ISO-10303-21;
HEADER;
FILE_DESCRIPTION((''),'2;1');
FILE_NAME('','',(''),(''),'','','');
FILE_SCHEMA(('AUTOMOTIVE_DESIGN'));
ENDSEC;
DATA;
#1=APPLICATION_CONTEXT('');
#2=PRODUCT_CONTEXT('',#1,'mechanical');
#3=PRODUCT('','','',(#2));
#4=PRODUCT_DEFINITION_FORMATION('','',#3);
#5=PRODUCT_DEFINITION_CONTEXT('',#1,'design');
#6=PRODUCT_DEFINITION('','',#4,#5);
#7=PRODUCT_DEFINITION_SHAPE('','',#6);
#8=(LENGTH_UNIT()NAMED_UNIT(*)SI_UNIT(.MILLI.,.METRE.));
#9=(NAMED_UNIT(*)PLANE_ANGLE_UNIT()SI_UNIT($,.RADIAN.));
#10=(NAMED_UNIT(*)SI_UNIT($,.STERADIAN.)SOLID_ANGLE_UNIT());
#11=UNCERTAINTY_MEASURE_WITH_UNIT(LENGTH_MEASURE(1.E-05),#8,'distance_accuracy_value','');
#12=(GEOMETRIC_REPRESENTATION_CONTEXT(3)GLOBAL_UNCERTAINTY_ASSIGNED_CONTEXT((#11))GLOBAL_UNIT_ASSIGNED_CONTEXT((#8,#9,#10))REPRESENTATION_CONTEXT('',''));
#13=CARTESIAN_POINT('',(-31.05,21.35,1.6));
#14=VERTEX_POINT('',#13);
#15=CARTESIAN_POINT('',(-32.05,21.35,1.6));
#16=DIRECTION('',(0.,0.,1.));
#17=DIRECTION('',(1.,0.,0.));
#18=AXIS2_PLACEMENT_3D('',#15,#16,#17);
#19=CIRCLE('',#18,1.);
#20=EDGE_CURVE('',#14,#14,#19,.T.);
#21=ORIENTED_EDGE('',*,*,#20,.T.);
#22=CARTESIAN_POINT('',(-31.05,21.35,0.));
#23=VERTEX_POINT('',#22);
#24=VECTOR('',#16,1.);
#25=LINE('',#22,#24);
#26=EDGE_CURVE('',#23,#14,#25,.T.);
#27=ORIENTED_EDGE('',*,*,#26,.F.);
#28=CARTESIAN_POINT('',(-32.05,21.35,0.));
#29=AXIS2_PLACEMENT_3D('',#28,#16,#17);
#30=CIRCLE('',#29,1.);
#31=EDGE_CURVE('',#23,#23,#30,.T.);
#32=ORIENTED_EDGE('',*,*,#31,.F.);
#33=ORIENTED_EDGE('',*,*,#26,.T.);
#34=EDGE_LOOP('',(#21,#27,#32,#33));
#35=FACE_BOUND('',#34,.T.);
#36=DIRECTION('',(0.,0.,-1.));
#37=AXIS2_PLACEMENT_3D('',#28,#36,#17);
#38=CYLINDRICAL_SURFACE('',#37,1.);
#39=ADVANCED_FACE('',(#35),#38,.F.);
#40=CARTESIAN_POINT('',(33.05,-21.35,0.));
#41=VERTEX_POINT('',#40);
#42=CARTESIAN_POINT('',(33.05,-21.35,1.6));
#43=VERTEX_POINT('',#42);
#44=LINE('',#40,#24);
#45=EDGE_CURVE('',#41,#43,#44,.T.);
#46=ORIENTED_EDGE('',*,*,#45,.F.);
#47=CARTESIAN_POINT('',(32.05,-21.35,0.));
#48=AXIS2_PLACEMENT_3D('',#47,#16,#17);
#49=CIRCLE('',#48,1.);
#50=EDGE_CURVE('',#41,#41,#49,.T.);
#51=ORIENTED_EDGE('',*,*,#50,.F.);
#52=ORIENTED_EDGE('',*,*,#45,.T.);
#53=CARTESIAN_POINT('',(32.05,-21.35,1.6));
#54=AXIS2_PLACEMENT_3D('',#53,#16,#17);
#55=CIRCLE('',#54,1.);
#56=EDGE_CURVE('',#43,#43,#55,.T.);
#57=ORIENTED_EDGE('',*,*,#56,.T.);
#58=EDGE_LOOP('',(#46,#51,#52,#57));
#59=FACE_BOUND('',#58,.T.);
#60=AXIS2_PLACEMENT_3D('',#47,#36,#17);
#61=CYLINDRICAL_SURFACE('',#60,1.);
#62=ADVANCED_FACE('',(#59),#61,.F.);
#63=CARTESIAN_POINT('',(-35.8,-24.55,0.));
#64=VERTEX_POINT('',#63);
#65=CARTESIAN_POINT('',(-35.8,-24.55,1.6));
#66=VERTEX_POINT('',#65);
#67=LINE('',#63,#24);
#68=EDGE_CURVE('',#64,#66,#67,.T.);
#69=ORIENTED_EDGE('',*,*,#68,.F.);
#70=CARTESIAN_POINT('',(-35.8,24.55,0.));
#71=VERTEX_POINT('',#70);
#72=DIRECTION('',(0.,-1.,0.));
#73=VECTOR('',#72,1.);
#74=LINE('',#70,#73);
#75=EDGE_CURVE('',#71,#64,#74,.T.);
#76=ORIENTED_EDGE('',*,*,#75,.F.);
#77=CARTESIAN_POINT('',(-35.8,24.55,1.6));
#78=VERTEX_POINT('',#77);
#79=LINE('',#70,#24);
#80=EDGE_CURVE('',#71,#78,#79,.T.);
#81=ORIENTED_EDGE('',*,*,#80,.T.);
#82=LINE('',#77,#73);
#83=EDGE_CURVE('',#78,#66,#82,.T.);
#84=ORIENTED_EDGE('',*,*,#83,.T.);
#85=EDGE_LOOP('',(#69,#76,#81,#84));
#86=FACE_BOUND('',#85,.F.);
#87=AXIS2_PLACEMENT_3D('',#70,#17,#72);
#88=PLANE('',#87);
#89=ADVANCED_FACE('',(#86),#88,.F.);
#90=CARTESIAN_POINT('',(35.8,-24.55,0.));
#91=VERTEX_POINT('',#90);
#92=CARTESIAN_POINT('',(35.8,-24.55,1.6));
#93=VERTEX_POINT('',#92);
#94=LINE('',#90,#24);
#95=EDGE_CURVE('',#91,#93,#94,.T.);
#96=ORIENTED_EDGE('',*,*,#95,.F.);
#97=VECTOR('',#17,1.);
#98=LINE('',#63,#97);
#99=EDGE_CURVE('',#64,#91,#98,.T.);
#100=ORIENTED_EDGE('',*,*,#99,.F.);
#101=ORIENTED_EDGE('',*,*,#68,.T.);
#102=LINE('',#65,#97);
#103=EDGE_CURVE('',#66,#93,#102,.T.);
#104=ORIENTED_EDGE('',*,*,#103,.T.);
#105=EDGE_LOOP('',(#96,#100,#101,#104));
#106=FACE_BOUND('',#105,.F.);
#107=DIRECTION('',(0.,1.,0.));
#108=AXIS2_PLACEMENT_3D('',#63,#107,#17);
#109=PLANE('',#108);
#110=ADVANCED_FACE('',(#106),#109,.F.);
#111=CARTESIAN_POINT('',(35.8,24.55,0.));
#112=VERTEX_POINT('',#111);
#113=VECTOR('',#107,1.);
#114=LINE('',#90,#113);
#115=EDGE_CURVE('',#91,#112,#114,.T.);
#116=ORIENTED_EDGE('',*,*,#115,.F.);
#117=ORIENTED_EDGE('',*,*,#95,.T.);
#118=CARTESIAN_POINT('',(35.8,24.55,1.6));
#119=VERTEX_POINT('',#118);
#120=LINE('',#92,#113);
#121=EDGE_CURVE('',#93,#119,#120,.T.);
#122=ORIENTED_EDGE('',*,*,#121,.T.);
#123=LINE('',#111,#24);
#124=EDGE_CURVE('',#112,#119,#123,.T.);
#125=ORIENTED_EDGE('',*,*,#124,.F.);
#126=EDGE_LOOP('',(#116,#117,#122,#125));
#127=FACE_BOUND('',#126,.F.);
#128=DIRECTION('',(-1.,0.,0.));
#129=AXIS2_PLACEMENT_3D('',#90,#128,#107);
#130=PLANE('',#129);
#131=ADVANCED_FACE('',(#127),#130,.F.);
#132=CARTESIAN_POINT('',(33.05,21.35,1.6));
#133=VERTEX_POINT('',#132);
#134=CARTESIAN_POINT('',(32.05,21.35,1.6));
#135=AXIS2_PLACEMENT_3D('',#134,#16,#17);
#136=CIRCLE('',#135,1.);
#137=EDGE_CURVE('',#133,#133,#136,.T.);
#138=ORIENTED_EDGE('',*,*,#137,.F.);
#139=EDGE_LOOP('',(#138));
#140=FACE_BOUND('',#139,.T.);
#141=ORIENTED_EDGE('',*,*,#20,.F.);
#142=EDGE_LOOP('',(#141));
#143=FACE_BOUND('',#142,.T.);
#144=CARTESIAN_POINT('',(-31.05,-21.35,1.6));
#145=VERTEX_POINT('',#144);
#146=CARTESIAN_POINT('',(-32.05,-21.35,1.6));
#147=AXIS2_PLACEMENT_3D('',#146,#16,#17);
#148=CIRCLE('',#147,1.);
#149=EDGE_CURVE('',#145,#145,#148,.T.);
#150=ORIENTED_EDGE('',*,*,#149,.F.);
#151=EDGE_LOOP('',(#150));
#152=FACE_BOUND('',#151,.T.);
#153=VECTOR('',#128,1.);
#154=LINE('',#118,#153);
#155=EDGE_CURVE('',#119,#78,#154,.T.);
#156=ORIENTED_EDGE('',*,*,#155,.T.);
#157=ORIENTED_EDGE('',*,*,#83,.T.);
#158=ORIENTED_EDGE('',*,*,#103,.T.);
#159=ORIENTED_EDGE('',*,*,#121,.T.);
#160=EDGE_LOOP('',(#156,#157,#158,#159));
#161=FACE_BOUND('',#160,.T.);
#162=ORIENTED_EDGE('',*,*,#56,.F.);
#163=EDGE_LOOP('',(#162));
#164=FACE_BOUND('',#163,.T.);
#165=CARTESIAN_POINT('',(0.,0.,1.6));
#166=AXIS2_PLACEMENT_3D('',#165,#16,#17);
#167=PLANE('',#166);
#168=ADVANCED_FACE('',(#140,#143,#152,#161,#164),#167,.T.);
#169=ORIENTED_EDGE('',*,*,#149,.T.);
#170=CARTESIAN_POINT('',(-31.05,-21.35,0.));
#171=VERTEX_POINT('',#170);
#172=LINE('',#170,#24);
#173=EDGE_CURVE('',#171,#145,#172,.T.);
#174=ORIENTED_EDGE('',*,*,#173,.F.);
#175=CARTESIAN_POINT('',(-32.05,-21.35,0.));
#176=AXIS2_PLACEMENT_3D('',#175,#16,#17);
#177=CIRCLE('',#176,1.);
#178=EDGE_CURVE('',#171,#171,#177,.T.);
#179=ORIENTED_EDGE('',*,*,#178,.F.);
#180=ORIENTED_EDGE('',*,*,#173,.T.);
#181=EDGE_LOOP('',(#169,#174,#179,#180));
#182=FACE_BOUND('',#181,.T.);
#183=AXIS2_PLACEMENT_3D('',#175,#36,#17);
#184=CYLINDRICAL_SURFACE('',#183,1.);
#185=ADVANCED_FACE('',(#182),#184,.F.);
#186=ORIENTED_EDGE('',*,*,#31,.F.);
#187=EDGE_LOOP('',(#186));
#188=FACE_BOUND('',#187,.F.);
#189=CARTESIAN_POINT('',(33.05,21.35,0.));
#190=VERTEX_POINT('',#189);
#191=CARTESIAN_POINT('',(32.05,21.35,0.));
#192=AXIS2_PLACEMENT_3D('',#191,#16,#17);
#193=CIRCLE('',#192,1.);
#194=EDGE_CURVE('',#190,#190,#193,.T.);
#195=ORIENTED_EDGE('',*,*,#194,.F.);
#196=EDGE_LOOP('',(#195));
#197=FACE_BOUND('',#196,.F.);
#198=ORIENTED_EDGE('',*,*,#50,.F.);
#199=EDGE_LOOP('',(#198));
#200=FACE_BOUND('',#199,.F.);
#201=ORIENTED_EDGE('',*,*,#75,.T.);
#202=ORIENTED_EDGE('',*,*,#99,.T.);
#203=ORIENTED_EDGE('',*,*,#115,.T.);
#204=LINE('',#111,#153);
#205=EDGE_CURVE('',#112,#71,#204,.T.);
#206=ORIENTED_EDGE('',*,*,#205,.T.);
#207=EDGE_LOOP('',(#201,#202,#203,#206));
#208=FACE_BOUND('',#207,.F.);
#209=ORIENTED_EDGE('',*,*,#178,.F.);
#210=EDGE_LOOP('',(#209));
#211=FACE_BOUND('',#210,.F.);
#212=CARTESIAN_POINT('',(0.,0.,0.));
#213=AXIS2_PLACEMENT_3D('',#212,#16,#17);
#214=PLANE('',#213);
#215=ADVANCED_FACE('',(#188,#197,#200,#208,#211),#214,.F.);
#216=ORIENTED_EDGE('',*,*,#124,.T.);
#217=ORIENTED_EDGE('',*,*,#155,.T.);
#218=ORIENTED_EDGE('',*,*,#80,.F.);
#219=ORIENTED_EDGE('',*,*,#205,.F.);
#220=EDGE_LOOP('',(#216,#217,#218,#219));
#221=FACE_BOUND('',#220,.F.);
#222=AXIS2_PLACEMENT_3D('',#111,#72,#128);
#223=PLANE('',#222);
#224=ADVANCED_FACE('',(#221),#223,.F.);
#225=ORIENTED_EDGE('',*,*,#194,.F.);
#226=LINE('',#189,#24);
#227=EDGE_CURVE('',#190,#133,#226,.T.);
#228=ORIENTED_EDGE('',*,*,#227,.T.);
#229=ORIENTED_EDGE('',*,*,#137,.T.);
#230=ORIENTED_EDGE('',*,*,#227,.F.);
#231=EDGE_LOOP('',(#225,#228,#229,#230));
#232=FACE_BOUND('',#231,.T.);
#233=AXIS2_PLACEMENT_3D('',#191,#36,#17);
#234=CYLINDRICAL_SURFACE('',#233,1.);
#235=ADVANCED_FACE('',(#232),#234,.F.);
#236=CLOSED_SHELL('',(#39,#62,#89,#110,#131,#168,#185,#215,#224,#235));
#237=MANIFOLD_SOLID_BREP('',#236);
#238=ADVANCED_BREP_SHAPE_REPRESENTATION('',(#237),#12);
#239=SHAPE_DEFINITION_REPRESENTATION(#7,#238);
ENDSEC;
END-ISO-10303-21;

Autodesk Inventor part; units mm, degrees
ref_plane "YZ Plane" through (0, 0, 0) normal (1, 0, 0) x (0, 1, 0)
ref_plane "XZ Plane" through (0, 0, 0) normal (0, 1, 0) x (-1, 0, 0)
ref_plane "XY Plane" through (0, 0, 0) normal (0, 0, 1) x (1, 0, 0)
sketch "스케치1" plane through (0, 0, 0) normal (0, 0, 1) x (1, 0, 0)
  line L0 (-35.8, -24.55) -> (35.8, -24.55)
  line L1 (35.8, -24.55) -> (35.8, 24.55)
  line L2 (35.8, 24.55) -> (-35.8, 24.55)
  line L3 (-35.8, 24.55) -> (-35.8, -24.55)
  line L4 (-35.8, -24.55) -> (35.8, 24.55) construction
  line L5 (35.8, -24.55) -> (-35.8, 24.55) construction
  line L6 (0, 0) -> (6.2436, 0)
  line L7 (0, 0) -> (0, 9.2645)
  circle A0 centre (-32.05, 21.35) radius 1
  circle A1 centre (32.05, 21.35) radius 1
  circle A2 centre (-32.05, -21.35) radius 1
  circle A3 centre (32.05, -21.35) radius 1
  dimension "d0" = 71.6
  dimension "d1" = 49.1
  dimension "d2" = 2
  dimension "d3" = 42.7
  dimension "d4" = 64.1
extrude "돌출1" add sketch "스케치1" along normal blind 1.6
properties part number "만능기판 소형"
